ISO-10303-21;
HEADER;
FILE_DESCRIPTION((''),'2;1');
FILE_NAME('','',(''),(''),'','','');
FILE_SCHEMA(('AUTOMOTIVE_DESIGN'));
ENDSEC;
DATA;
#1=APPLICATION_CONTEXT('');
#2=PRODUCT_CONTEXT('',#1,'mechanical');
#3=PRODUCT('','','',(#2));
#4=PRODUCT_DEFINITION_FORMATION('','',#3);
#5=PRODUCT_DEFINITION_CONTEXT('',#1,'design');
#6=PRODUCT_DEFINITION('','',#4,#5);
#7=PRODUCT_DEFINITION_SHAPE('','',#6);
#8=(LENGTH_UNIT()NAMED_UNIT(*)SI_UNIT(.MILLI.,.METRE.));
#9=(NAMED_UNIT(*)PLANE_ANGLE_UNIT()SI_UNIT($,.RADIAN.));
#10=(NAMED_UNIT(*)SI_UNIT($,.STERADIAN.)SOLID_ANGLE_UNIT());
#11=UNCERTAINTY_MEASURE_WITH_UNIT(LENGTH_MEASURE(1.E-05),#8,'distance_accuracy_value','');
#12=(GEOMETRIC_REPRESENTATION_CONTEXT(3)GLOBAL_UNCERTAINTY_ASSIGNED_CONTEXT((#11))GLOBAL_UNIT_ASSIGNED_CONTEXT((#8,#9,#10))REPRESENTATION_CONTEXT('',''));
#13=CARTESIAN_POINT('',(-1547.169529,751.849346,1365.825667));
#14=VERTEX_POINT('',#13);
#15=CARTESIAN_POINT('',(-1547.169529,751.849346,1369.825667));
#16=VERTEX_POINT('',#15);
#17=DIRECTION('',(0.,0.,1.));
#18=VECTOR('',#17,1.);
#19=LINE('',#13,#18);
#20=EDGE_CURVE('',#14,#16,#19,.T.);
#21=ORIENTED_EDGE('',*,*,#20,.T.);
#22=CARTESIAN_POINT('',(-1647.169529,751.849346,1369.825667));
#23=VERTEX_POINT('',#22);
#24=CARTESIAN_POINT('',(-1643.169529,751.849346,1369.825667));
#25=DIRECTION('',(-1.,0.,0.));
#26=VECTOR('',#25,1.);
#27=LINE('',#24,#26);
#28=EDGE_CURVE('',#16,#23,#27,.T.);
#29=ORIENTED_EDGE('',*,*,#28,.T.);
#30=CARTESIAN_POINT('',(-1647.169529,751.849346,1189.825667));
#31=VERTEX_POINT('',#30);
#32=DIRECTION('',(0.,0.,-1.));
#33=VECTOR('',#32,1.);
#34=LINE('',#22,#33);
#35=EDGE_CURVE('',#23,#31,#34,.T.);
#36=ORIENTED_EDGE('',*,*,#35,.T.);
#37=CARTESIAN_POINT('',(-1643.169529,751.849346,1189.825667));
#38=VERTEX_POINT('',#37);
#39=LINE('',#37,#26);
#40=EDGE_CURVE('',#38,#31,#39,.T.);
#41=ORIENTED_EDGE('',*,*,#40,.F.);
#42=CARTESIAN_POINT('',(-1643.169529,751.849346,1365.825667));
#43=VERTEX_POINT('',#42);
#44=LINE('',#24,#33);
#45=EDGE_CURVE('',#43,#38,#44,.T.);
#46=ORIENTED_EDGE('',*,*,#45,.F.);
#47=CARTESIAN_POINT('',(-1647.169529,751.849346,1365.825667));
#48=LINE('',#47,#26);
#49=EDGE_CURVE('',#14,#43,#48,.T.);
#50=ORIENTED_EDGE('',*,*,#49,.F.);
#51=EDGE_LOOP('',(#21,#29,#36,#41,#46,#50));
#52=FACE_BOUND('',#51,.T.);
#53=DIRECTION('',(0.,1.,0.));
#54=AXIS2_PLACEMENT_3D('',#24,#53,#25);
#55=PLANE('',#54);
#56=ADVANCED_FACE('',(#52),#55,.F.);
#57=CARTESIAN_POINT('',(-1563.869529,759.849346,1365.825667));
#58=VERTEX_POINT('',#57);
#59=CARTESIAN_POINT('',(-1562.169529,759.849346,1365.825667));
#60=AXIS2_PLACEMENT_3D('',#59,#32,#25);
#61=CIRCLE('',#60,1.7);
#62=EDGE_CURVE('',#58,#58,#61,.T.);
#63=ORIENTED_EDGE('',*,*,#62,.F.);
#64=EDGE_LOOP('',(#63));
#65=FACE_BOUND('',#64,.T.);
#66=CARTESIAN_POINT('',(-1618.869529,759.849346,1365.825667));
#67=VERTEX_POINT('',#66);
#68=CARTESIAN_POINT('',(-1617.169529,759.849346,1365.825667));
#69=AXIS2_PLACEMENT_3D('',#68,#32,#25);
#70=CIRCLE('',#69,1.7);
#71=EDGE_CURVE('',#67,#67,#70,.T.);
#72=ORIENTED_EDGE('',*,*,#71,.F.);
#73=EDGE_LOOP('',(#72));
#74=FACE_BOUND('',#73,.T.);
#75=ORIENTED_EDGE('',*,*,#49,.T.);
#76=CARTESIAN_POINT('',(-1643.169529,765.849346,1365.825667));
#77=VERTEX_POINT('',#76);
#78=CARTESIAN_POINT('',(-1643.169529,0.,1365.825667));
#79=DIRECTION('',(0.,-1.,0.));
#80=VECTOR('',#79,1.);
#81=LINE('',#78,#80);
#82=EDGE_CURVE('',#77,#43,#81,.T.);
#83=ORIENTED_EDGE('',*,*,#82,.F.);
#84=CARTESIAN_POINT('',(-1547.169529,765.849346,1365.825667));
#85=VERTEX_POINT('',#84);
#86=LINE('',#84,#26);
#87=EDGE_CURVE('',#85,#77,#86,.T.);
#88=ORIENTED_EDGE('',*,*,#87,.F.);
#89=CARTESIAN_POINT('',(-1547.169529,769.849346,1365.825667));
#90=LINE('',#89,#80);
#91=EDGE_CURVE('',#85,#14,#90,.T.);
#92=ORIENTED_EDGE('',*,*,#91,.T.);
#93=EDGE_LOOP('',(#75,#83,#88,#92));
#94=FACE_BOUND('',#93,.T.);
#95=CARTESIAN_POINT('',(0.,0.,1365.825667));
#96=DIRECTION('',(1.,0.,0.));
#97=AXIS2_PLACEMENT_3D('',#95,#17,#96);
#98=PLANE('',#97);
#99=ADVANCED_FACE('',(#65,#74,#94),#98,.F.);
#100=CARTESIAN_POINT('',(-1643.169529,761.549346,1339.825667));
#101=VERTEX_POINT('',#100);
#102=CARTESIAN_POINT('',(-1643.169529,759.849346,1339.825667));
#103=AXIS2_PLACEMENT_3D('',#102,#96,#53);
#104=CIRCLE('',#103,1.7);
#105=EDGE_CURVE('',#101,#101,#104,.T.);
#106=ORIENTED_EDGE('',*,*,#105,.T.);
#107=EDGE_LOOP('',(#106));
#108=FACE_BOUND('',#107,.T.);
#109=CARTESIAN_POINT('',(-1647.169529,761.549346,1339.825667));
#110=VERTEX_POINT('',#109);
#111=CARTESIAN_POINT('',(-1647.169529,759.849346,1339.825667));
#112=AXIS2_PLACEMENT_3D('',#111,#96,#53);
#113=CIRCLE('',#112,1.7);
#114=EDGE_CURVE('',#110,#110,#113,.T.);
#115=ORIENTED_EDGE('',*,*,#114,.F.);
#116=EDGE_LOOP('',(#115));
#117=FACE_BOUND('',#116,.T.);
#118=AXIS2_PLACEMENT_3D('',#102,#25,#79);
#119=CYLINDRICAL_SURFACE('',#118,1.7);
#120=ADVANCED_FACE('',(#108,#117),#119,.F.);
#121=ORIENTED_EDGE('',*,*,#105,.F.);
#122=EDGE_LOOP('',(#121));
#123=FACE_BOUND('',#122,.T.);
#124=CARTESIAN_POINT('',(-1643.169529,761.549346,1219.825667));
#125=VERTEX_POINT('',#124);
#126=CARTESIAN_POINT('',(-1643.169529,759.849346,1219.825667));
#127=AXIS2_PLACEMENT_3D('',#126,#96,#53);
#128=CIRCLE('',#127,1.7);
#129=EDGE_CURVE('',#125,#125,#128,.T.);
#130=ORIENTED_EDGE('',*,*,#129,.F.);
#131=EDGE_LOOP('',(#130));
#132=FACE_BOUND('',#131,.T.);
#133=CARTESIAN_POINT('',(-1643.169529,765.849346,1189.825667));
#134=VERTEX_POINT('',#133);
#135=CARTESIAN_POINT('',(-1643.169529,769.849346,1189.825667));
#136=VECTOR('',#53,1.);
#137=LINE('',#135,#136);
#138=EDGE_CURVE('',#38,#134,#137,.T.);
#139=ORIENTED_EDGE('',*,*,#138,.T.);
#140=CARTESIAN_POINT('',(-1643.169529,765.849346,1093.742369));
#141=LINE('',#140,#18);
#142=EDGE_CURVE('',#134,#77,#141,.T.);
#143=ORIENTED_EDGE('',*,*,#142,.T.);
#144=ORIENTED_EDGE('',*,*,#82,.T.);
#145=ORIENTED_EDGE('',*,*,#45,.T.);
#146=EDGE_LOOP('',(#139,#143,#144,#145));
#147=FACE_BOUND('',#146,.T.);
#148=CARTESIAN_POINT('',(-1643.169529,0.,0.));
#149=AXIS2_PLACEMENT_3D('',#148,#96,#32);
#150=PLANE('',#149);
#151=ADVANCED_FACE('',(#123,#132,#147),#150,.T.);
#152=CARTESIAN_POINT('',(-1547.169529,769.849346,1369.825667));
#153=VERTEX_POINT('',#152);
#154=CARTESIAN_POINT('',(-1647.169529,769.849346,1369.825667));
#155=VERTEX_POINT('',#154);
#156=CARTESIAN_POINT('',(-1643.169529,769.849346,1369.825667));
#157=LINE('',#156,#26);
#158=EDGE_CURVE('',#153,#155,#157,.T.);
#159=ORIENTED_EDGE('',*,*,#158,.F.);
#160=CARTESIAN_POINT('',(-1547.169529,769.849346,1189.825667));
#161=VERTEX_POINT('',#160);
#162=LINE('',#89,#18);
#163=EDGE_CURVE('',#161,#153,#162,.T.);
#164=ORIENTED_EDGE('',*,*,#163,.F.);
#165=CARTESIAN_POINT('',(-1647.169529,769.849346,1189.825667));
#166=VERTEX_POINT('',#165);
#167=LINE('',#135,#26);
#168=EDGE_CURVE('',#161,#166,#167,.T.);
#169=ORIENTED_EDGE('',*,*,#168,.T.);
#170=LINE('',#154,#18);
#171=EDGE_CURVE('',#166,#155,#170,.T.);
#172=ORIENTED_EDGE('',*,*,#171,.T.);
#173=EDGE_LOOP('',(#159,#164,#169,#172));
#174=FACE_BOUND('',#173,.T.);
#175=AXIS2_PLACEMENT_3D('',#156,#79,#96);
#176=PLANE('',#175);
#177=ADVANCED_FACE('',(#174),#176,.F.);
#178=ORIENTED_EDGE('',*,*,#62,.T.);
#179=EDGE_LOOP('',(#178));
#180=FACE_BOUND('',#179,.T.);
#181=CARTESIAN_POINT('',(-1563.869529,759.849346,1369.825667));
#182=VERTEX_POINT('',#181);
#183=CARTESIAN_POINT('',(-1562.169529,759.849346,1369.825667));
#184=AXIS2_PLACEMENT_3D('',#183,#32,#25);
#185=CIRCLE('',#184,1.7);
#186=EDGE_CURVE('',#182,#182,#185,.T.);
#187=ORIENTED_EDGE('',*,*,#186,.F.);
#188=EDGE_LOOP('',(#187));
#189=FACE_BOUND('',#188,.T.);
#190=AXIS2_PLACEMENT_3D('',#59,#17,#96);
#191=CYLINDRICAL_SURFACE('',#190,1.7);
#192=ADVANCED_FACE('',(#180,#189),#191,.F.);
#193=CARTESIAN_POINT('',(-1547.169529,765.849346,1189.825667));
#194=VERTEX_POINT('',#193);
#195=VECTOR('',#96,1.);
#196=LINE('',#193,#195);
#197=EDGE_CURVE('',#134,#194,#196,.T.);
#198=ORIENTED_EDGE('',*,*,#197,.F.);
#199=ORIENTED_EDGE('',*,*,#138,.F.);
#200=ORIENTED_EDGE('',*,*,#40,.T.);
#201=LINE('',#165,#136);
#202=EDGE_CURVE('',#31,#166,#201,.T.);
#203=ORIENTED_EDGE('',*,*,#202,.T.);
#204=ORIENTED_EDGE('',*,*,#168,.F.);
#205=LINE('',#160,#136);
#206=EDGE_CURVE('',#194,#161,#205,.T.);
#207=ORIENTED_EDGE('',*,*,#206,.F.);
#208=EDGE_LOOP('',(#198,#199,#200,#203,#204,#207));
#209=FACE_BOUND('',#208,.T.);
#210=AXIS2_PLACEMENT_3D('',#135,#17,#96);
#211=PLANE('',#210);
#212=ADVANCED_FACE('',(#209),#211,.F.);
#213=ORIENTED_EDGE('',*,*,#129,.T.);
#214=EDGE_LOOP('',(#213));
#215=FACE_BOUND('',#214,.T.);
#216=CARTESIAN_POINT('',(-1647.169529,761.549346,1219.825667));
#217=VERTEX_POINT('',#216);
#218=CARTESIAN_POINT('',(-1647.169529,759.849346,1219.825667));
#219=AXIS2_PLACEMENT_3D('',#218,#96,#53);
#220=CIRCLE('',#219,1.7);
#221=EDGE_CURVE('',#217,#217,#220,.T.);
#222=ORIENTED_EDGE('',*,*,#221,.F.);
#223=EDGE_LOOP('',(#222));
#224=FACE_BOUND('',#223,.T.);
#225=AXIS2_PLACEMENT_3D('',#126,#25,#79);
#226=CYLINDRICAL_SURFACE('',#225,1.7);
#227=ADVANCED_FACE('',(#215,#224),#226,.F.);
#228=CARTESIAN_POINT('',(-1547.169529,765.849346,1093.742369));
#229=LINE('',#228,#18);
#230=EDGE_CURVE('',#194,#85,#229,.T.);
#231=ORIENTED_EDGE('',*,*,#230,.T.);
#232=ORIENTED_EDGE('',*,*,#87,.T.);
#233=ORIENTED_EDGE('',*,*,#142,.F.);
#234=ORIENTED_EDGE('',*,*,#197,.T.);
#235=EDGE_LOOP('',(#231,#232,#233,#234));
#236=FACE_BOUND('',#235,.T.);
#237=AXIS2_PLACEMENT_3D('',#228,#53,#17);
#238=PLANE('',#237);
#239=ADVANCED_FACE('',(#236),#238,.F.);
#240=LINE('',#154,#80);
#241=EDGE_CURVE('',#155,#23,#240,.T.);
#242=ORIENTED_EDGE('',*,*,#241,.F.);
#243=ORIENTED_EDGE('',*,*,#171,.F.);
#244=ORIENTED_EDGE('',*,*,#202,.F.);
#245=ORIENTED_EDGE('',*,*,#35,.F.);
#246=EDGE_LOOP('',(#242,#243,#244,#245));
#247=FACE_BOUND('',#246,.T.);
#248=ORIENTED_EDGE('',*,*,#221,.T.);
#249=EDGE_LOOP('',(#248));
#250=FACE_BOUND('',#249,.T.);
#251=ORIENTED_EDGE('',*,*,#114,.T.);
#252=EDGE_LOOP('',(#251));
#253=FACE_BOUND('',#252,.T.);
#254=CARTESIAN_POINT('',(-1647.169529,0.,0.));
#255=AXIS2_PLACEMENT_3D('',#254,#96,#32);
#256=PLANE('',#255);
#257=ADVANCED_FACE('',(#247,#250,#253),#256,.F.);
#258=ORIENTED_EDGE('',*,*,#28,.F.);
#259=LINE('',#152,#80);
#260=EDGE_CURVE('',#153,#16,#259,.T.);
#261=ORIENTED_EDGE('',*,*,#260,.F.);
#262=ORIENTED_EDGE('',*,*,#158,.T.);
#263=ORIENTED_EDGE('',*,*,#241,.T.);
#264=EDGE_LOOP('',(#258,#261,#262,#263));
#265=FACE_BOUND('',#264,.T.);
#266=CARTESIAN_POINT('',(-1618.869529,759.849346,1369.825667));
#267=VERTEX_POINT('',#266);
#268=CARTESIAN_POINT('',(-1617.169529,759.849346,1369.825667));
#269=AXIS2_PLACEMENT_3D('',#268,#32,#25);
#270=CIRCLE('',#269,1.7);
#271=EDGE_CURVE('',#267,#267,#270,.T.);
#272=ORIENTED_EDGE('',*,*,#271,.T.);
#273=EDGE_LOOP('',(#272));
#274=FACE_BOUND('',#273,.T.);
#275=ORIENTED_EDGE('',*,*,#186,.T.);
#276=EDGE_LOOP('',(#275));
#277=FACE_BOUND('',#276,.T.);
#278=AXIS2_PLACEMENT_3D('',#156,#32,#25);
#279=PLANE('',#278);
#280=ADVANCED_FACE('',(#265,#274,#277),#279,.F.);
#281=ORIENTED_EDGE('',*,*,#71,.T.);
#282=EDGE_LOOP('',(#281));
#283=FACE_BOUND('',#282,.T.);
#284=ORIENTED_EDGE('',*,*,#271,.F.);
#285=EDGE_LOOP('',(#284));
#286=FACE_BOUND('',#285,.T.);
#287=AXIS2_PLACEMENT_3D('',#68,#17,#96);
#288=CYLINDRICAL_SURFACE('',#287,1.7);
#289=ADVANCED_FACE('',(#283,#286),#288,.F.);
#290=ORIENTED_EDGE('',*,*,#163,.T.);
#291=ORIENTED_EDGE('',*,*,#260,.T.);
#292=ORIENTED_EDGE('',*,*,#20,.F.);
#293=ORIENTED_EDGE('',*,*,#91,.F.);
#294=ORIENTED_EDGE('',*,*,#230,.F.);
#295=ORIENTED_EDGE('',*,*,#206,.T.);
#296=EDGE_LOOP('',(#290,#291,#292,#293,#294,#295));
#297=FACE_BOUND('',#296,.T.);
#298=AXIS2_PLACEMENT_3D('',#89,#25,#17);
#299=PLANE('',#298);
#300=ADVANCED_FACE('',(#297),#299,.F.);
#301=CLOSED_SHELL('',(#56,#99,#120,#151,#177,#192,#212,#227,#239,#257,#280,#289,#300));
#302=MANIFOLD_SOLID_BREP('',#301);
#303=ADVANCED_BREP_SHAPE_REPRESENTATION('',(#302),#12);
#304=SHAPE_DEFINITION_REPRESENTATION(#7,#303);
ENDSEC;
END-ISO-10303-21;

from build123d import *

# Parameters (mm, degrees)
SKETCH1_W           = 180
SKETCH1_H           = 18
SKETCH1_R           = 1.7
BOSS_EXTRUDE1_DEPTH = 4
SKETCH2_W           = 100
SKETCH2_H           = 18
SKETCH2_R           = 1.7
BOSS_EXTRUDE2_DEPTH = 4
SKETCH3_W           = 96
SKETCH3_H           = 4
BOSS_EXTRUDE3_DEPTH = 176


with BuildPart() as part:
    # Sketch1 → Boss-Extrude1 (new body)
    with BuildSketch(Plane(origin=(-1647.169528543, 0, 0), x_dir=(0, 0, -1), z_dir=(1, 0, 0))):
        with Locations((-1279.825666692, 760.849345995)):
            Rectangle(SKETCH1_W, SKETCH1_H)
        with Locations((-1219.825666692, 759.849345995)):
            Circle(SKETCH1_R, mode=Mode.SUBTRACT)
        with Locations((-1339.825666692, 759.849345995)):
            Circle(SKETCH1_R, mode=Mode.SUBTRACT)
    extrude(amount=BOSS_EXTRUDE1_DEPTH)

    # Sketch2 → Boss-Extrude2 (add)
    with BuildSketch(Plane(origin=(0, 0, 1369.825666692), x_dir=(-1, 0, 0), z_dir=(0, 0, -1))):
        with Locations((1597.169528543, 760.849345995)):
            Rectangle(SKETCH2_W, SKETCH2_H)
        with Locations((1617.169528543, 759.849345995)):
            Circle(SKETCH2_R, mode=Mode.SUBTRACT)
        with Locations((1562.169528543, 759.849345995)):
            Circle(SKETCH2_R, mode=Mode.SUBTRACT)
    extrude(amount=BOSS_EXTRUDE2_DEPTH)

    # Sketch3 → Boss-Extrude3 (add)
    with BuildSketch(Plane(origin=(0, 0, 1365.825666692), x_dir=(-1, 0, 0), z_dir=(0, 0, -1))):
        with Locations((1595.169528543, 767.849345995)):
            Rectangle(SKETCH3_W, SKETCH3_H)
    extrude(amount=BOSS_EXTRUDE3_DEPTH)


solid = part.part
